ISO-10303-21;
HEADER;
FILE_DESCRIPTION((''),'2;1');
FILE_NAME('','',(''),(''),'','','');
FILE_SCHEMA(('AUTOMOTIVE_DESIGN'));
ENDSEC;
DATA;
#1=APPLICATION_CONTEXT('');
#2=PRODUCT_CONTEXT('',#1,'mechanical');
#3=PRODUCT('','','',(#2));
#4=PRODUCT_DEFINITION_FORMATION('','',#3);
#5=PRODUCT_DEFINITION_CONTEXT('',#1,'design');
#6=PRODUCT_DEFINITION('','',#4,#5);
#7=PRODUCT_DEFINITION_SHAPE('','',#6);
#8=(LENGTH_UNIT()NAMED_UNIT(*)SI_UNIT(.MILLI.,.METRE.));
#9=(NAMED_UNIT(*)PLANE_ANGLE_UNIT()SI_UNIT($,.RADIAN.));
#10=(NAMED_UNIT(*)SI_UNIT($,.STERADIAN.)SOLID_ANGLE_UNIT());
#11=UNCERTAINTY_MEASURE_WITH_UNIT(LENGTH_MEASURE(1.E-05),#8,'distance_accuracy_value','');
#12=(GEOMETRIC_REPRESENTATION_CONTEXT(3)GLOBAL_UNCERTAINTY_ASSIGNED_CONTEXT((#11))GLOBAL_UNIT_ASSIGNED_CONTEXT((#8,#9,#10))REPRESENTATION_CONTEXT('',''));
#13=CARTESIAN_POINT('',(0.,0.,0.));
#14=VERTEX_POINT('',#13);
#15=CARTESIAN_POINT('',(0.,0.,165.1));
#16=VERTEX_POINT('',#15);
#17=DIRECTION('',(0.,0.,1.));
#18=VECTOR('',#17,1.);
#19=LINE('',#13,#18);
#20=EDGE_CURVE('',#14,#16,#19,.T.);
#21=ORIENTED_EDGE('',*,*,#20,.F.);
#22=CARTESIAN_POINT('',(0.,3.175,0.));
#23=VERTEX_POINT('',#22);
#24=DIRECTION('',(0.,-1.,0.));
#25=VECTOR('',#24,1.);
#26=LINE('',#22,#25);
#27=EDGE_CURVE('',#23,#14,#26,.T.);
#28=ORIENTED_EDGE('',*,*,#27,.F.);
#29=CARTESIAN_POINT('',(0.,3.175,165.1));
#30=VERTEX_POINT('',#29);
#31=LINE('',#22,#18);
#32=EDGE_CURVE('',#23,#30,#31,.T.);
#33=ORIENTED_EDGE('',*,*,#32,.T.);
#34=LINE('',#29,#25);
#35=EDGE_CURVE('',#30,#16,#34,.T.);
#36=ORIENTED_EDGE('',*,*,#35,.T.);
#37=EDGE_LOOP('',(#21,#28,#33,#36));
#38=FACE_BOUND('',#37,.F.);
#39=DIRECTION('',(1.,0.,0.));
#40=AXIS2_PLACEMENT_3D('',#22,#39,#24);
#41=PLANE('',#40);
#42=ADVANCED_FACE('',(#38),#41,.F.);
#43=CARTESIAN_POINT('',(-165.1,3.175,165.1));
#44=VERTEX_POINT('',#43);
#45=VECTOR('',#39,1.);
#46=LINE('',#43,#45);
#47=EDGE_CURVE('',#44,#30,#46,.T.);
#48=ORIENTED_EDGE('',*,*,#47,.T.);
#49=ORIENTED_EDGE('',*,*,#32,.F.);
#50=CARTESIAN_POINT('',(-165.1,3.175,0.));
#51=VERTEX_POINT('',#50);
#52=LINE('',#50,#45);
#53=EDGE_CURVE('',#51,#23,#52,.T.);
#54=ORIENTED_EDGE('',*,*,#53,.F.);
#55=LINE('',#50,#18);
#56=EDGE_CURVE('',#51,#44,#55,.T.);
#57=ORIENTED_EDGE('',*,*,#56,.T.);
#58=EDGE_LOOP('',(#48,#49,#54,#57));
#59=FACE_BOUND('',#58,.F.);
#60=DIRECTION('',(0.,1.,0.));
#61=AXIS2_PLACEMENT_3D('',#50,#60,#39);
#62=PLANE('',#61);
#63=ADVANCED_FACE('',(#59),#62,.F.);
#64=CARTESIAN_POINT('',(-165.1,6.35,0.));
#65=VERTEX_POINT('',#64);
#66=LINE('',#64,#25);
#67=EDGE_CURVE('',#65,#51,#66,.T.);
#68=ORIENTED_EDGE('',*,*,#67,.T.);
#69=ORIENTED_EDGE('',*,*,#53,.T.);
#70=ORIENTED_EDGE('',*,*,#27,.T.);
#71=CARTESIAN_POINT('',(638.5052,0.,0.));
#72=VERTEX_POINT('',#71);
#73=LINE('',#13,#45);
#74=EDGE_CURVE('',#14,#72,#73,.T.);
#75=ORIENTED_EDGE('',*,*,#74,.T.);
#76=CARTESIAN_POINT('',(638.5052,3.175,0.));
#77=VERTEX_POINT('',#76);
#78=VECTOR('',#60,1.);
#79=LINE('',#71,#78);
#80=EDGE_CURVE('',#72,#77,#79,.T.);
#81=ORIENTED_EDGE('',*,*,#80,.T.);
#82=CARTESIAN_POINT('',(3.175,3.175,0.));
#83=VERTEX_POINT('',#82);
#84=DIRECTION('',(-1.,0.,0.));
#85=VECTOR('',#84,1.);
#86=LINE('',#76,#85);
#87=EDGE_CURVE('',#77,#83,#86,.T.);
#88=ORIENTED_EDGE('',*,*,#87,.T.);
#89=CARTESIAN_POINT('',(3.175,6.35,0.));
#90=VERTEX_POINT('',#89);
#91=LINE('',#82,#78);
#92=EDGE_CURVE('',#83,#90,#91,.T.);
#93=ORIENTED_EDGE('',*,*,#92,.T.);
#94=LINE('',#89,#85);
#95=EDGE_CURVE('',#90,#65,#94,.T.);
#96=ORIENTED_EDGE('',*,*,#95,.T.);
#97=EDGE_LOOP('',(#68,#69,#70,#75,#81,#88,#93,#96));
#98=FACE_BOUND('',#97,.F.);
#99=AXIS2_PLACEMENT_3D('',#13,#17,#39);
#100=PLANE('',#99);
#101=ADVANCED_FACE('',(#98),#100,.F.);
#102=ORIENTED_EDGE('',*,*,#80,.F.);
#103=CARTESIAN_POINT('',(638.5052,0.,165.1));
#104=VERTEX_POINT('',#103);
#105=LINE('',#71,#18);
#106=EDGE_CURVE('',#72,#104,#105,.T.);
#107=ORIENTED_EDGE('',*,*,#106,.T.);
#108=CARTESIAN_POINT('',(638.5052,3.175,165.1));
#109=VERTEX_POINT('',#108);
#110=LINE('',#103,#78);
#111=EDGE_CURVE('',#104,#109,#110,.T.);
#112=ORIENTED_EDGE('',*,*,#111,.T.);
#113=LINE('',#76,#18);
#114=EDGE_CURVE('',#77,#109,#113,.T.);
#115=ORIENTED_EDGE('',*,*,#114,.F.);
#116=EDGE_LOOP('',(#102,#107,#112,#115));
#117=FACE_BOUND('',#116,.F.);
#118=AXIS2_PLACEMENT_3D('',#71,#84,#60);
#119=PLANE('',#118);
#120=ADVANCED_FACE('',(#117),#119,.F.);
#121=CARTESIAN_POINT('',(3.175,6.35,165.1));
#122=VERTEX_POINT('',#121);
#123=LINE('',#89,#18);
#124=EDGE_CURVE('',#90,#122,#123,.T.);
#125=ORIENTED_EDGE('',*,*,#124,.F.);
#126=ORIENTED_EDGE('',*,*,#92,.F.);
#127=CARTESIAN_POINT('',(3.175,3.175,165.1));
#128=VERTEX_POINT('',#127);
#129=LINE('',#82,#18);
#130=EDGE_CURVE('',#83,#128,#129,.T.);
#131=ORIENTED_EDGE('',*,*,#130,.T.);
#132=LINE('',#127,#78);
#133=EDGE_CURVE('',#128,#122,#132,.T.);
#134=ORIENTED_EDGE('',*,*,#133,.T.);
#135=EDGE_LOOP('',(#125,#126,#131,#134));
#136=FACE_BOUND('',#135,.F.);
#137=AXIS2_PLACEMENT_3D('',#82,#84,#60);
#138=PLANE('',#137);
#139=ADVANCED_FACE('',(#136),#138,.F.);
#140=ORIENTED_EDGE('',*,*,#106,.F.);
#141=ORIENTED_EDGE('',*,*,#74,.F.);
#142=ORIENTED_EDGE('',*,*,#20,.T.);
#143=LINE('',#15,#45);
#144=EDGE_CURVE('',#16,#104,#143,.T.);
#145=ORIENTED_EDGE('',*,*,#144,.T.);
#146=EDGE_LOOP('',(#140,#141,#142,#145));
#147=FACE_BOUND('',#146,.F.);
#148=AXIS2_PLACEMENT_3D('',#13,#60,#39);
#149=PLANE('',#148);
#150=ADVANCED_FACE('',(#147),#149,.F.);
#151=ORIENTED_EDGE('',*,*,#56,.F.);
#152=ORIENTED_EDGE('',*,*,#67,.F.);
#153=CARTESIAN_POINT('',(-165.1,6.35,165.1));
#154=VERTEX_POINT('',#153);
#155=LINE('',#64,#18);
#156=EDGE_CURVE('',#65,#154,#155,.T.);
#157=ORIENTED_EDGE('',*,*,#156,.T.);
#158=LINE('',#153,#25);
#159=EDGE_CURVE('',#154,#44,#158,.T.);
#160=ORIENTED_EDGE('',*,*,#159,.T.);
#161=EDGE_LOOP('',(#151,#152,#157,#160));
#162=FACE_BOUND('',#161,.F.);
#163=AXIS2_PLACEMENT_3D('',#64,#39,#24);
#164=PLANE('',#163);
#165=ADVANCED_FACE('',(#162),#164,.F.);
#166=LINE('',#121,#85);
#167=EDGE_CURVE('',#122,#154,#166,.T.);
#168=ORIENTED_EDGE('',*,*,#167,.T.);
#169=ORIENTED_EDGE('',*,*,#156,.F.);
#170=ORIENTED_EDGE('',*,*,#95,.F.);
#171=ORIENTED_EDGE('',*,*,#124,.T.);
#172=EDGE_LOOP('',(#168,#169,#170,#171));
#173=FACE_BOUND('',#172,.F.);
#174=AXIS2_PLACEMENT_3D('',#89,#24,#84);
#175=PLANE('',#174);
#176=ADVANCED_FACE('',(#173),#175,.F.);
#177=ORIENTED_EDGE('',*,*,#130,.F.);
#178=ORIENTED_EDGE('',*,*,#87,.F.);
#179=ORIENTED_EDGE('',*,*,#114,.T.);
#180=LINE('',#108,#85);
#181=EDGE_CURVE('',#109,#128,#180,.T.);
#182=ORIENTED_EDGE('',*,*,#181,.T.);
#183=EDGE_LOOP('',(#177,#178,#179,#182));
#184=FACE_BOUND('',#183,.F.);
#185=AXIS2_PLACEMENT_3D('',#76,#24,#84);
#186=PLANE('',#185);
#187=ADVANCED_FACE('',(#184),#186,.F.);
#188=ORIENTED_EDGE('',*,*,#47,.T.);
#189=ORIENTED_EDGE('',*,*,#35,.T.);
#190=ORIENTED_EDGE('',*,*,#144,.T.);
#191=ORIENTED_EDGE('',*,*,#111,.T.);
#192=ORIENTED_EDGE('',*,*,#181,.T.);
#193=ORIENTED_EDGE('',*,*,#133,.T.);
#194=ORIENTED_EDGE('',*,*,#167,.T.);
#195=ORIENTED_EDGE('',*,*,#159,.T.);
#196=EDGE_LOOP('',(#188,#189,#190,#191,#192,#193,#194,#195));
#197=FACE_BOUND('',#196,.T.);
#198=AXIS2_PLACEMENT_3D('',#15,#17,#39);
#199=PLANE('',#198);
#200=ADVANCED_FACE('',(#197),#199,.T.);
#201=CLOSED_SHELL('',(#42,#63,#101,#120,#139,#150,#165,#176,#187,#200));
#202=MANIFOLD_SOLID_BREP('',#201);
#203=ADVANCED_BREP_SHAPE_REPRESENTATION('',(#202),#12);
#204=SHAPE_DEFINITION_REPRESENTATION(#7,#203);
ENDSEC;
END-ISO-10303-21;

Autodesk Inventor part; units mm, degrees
ref_plane "YZ Plane" through (0, 0, 0) normal (1, 0, 0) x (0, 1, 0)
ref_plane "XZ Plane" through (0, 0, 0) normal (0, 1, 0) x (-1, 0, 0)
ref_plane "XY Plane" through (0, 0, 0) normal (0, 0, 1) x (1, 0, 0)
sketch "Sketch1" plane through (0, 0, 0) normal (0, 0, 1) x (1, 0, 0)
  line L0 (0, 0) -> (638.5052, 0)
  line L1 (638.5052, 0) -> (638.5052, 3.175)
  line L2 (638.5052, 3.175) -> (3.175, 3.175)
  line L3 (3.175, 3.175) -> (3.175, 6.35)
  line L4 (3.175, 6.35) -> (-165.1, 6.35)
  line L5 (-165.1, 6.35) -> (-165.1, 3.175)
  line L6 (-165.1, 3.175) -> (0, 3.175)
  line L7 (0, 3.175) -> (0, 0)
  dimension "d0" = 165.1
  dimension "d1" = 3.175
  dimension "d2" = 3.175
  dimension "d3" = 3.175
  dimension "d4" = 3.175
  dimension "d10" = 638.5052
extrude "Extrusion2" add sketch "Sketch1" along normal blind 165.1
properties part number "Starter_Shingle_With_Dimensions_6.5_x_32.263_Inches"
